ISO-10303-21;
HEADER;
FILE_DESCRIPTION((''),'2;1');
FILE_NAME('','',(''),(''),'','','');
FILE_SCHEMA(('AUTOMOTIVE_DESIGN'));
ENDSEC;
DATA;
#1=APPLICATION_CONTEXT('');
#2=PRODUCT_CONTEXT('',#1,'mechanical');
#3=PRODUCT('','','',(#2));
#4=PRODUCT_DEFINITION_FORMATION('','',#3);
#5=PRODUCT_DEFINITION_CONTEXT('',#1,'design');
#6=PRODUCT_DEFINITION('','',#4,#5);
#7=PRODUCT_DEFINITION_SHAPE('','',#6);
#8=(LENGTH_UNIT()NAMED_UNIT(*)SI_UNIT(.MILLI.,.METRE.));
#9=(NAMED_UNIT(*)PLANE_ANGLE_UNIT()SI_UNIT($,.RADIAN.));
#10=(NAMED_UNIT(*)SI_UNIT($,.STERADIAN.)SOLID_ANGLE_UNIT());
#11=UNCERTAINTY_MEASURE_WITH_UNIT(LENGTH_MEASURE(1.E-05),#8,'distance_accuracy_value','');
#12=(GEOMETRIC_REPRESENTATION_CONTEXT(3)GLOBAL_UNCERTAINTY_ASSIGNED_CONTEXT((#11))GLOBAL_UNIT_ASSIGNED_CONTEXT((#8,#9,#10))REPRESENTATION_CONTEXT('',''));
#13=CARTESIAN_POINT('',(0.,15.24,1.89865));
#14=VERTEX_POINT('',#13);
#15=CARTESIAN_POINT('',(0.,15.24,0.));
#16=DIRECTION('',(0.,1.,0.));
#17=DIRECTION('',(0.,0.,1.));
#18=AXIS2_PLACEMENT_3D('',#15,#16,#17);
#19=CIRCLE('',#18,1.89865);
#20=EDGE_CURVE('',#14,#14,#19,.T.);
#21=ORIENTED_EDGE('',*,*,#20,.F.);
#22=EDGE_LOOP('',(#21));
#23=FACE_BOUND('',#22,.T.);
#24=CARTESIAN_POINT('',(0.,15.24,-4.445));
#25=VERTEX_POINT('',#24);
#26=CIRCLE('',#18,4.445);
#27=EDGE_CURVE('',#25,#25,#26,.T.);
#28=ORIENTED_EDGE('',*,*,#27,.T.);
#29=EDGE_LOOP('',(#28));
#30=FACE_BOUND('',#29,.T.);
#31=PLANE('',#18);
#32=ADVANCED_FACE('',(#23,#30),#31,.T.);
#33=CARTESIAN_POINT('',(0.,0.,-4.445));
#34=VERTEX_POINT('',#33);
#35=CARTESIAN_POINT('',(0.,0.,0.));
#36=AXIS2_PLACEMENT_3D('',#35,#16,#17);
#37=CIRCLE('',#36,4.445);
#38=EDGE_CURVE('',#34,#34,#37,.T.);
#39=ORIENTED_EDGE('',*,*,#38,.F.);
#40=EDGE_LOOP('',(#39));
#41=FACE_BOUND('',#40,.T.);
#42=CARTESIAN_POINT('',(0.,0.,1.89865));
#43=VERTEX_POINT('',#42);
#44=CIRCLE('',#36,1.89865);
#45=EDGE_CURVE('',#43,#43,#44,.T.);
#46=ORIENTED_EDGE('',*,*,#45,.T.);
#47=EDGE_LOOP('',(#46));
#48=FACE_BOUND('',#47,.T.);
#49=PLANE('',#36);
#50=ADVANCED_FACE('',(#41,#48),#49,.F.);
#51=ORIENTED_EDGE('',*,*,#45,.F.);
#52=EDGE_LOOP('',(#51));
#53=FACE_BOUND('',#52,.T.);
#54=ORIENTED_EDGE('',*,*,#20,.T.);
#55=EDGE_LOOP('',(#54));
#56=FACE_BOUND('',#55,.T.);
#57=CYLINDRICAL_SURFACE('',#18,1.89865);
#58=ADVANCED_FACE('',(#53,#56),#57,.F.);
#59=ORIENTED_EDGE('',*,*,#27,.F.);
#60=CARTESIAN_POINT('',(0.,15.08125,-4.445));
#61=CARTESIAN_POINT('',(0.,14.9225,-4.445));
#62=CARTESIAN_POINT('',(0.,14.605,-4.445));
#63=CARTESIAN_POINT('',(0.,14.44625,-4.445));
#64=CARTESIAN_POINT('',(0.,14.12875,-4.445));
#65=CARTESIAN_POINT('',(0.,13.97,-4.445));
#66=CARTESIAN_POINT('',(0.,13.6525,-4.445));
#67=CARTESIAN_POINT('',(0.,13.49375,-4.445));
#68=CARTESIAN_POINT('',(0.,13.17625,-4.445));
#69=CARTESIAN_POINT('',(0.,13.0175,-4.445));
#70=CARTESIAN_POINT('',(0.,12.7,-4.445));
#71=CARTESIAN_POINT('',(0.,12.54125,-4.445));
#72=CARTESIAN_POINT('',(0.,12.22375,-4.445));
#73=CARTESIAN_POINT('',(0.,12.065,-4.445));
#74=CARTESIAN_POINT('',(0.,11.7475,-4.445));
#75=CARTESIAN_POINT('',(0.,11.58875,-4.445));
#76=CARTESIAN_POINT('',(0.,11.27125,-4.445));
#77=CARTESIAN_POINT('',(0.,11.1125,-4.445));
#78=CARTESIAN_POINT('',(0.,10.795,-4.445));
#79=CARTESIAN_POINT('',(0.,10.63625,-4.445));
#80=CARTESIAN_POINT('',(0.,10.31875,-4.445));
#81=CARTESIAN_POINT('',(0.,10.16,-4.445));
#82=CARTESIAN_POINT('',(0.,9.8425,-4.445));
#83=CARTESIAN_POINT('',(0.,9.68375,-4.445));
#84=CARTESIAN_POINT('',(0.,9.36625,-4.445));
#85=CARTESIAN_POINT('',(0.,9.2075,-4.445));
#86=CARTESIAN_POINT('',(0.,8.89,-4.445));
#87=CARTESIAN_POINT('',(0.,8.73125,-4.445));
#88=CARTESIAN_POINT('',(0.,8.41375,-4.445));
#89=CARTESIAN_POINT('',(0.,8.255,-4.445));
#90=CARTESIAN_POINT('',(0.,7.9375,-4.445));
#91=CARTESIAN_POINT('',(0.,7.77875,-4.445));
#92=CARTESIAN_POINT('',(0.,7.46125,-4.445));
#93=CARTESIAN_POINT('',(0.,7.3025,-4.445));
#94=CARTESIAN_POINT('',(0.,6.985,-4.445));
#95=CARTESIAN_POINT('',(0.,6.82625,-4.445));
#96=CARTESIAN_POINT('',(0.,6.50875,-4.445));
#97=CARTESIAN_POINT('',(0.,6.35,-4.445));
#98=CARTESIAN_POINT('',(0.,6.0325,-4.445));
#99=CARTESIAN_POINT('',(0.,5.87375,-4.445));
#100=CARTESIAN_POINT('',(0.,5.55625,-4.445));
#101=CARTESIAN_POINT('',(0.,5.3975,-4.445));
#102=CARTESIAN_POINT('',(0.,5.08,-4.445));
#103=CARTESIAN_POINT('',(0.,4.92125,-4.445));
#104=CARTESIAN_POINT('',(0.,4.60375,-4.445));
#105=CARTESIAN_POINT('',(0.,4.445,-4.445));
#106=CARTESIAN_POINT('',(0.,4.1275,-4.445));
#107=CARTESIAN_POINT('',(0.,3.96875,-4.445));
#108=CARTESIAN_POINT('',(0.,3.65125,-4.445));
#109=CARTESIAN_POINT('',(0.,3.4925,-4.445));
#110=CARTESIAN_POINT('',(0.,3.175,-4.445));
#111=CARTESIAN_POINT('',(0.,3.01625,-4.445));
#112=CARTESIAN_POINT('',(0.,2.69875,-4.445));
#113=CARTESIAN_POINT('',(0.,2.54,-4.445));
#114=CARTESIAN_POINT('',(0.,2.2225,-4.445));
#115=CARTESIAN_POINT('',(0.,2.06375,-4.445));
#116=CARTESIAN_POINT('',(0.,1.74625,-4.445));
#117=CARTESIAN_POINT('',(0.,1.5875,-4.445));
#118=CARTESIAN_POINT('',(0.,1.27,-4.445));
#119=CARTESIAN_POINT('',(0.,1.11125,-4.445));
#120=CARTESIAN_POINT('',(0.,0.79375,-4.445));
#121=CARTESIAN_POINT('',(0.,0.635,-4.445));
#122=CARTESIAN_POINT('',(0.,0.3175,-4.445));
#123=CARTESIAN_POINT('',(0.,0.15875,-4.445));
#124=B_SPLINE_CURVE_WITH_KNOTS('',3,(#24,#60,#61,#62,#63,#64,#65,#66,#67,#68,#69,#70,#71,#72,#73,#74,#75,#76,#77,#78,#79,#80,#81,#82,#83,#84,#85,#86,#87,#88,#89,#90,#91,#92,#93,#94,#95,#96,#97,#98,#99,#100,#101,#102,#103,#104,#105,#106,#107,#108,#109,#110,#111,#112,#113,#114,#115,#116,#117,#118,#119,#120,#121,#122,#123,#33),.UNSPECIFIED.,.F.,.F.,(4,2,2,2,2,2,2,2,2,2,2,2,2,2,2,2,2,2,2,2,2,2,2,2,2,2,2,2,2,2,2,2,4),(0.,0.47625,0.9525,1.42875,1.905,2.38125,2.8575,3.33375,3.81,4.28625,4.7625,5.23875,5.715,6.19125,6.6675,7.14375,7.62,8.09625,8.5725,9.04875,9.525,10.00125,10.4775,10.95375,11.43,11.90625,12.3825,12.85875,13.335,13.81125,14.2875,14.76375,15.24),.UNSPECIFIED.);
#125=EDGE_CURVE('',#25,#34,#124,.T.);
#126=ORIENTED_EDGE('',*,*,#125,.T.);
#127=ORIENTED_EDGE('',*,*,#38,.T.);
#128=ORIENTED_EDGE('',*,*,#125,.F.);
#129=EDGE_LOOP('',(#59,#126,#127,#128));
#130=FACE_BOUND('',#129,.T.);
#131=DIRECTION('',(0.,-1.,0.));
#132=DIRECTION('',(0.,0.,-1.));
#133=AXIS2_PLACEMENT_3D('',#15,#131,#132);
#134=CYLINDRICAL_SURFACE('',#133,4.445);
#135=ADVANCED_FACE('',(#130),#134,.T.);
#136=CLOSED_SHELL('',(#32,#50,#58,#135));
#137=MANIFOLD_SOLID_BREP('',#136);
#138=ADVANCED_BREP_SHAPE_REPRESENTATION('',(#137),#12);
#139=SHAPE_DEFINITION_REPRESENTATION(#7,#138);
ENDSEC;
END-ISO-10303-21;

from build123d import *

# Parameters (mm, degrees)
SKETCH1_R             = 4.445
BOSS_EXTRUDE1_DEPTH   = 15.24
F_6_CLEARANCE_HOLE1_D = 3.7973


with BuildPart() as part:
    # Sketch1 → Boss-Extrude1 (new body)
    with BuildSketch(Plane(origin=(0, 0, 0), x_dir=(1, 0, 0), z_dir=(0, 1, 0))):
        with Locations(Location((0, 0, 0), (0, 0, 90))):
            Circle(SKETCH1_R)
    extrude(amount=BOSS_EXTRUDE1_DEPTH)

    # #6 Clearance Hole1 (through all)
    with Locations(Plane(origin=(0, 15.24, 0), x_dir=(1, 0, 0), z_dir=(0, 1, 0))):
        with Locations((0, 0)):
            Hole(F_6_CLEARANCE_HOLE1_D / 2)


solid = part.part
